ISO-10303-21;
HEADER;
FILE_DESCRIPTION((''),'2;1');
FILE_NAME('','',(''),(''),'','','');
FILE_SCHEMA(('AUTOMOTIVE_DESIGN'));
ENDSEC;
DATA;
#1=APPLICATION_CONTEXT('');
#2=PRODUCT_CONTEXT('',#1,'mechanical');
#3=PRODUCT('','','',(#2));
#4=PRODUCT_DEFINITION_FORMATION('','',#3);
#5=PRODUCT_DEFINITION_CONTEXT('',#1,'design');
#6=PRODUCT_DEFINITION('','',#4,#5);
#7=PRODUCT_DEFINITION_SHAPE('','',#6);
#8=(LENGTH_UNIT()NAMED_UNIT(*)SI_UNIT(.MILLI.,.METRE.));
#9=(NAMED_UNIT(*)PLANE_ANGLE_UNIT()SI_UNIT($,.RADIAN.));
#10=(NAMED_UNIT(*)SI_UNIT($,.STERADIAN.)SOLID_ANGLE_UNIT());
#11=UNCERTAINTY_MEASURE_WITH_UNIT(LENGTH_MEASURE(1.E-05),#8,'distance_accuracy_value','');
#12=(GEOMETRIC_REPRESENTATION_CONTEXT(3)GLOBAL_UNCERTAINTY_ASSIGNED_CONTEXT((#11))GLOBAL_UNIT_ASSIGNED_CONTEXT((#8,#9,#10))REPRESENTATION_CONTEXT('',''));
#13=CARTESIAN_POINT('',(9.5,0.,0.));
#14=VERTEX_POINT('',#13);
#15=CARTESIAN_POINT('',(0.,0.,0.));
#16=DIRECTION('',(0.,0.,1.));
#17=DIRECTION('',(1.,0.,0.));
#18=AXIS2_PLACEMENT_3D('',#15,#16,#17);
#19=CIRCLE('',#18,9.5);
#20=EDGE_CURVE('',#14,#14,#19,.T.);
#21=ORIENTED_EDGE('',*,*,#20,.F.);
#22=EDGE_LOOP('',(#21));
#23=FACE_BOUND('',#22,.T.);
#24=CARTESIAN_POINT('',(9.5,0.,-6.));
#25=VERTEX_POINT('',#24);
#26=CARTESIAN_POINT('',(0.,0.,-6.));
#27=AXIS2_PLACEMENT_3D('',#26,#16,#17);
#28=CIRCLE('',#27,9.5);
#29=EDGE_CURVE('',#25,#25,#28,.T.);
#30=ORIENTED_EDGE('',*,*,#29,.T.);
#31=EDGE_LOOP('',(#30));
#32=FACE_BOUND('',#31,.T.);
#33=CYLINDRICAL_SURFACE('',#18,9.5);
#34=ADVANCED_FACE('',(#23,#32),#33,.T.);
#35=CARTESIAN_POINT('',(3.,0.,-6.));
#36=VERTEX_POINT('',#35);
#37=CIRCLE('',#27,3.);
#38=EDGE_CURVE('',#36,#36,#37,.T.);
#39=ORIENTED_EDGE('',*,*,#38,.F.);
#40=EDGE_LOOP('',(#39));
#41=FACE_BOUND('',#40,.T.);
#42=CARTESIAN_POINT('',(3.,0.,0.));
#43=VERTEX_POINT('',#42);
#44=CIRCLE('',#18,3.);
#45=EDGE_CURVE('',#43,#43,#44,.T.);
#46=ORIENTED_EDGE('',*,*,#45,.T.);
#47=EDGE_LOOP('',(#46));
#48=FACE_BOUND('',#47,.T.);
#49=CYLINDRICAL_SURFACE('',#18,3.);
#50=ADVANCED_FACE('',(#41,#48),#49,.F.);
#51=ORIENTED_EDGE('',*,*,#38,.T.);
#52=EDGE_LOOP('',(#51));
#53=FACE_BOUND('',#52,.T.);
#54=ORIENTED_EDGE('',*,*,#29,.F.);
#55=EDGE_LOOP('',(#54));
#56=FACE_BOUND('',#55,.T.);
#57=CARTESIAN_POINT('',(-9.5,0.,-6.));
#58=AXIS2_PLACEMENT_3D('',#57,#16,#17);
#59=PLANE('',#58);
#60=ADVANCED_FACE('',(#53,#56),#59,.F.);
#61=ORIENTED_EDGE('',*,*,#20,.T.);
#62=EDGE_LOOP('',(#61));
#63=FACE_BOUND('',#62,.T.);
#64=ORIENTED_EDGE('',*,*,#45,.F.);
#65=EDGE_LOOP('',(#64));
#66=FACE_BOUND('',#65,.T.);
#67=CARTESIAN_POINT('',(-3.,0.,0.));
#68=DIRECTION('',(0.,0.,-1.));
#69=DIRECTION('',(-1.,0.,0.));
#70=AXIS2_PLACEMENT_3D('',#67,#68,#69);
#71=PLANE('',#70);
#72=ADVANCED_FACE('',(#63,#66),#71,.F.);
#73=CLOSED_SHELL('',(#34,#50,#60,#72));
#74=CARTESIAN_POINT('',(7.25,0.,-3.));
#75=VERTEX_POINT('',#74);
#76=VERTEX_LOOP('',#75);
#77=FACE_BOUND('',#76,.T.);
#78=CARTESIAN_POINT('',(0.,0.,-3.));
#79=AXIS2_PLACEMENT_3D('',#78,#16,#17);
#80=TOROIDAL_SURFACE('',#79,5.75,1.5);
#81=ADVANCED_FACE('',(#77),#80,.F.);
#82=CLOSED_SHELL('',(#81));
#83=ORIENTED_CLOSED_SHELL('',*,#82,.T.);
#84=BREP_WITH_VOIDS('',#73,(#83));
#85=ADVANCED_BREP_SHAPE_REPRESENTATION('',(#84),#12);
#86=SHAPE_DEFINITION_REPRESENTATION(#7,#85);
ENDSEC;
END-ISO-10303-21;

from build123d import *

# Parameters (mm, degrees)
SKETCH_1_W = 6.5
SKETCH_1_H = 6
SKETCH_1_R = 1.5


with BuildPart() as part:
    # Эскиз1 → Повернуть1 (revolve)
    with BuildSketch(Plane(origin=(0, 0, 0), x_dir=(1, 0, 0), z_dir=(0, 1, 0)), mode=Mode.PRIVATE) as revolve_1_sk:
        with Locations((-6.25, 3)):
            Rectangle(SKETCH_1_W, SKETCH_1_H)
        with Locations((-5.75, 3)):
            Circle(SKETCH_1_R, mode=Mode.SUBTRACT)
    revolve(revolve_1_sk.sketch.rotate(Axis((0, 0, 0), (0, 0, -1)), 180), axis=Axis((0, 0, 0), (0, 0, -1)))


solid = part.part
